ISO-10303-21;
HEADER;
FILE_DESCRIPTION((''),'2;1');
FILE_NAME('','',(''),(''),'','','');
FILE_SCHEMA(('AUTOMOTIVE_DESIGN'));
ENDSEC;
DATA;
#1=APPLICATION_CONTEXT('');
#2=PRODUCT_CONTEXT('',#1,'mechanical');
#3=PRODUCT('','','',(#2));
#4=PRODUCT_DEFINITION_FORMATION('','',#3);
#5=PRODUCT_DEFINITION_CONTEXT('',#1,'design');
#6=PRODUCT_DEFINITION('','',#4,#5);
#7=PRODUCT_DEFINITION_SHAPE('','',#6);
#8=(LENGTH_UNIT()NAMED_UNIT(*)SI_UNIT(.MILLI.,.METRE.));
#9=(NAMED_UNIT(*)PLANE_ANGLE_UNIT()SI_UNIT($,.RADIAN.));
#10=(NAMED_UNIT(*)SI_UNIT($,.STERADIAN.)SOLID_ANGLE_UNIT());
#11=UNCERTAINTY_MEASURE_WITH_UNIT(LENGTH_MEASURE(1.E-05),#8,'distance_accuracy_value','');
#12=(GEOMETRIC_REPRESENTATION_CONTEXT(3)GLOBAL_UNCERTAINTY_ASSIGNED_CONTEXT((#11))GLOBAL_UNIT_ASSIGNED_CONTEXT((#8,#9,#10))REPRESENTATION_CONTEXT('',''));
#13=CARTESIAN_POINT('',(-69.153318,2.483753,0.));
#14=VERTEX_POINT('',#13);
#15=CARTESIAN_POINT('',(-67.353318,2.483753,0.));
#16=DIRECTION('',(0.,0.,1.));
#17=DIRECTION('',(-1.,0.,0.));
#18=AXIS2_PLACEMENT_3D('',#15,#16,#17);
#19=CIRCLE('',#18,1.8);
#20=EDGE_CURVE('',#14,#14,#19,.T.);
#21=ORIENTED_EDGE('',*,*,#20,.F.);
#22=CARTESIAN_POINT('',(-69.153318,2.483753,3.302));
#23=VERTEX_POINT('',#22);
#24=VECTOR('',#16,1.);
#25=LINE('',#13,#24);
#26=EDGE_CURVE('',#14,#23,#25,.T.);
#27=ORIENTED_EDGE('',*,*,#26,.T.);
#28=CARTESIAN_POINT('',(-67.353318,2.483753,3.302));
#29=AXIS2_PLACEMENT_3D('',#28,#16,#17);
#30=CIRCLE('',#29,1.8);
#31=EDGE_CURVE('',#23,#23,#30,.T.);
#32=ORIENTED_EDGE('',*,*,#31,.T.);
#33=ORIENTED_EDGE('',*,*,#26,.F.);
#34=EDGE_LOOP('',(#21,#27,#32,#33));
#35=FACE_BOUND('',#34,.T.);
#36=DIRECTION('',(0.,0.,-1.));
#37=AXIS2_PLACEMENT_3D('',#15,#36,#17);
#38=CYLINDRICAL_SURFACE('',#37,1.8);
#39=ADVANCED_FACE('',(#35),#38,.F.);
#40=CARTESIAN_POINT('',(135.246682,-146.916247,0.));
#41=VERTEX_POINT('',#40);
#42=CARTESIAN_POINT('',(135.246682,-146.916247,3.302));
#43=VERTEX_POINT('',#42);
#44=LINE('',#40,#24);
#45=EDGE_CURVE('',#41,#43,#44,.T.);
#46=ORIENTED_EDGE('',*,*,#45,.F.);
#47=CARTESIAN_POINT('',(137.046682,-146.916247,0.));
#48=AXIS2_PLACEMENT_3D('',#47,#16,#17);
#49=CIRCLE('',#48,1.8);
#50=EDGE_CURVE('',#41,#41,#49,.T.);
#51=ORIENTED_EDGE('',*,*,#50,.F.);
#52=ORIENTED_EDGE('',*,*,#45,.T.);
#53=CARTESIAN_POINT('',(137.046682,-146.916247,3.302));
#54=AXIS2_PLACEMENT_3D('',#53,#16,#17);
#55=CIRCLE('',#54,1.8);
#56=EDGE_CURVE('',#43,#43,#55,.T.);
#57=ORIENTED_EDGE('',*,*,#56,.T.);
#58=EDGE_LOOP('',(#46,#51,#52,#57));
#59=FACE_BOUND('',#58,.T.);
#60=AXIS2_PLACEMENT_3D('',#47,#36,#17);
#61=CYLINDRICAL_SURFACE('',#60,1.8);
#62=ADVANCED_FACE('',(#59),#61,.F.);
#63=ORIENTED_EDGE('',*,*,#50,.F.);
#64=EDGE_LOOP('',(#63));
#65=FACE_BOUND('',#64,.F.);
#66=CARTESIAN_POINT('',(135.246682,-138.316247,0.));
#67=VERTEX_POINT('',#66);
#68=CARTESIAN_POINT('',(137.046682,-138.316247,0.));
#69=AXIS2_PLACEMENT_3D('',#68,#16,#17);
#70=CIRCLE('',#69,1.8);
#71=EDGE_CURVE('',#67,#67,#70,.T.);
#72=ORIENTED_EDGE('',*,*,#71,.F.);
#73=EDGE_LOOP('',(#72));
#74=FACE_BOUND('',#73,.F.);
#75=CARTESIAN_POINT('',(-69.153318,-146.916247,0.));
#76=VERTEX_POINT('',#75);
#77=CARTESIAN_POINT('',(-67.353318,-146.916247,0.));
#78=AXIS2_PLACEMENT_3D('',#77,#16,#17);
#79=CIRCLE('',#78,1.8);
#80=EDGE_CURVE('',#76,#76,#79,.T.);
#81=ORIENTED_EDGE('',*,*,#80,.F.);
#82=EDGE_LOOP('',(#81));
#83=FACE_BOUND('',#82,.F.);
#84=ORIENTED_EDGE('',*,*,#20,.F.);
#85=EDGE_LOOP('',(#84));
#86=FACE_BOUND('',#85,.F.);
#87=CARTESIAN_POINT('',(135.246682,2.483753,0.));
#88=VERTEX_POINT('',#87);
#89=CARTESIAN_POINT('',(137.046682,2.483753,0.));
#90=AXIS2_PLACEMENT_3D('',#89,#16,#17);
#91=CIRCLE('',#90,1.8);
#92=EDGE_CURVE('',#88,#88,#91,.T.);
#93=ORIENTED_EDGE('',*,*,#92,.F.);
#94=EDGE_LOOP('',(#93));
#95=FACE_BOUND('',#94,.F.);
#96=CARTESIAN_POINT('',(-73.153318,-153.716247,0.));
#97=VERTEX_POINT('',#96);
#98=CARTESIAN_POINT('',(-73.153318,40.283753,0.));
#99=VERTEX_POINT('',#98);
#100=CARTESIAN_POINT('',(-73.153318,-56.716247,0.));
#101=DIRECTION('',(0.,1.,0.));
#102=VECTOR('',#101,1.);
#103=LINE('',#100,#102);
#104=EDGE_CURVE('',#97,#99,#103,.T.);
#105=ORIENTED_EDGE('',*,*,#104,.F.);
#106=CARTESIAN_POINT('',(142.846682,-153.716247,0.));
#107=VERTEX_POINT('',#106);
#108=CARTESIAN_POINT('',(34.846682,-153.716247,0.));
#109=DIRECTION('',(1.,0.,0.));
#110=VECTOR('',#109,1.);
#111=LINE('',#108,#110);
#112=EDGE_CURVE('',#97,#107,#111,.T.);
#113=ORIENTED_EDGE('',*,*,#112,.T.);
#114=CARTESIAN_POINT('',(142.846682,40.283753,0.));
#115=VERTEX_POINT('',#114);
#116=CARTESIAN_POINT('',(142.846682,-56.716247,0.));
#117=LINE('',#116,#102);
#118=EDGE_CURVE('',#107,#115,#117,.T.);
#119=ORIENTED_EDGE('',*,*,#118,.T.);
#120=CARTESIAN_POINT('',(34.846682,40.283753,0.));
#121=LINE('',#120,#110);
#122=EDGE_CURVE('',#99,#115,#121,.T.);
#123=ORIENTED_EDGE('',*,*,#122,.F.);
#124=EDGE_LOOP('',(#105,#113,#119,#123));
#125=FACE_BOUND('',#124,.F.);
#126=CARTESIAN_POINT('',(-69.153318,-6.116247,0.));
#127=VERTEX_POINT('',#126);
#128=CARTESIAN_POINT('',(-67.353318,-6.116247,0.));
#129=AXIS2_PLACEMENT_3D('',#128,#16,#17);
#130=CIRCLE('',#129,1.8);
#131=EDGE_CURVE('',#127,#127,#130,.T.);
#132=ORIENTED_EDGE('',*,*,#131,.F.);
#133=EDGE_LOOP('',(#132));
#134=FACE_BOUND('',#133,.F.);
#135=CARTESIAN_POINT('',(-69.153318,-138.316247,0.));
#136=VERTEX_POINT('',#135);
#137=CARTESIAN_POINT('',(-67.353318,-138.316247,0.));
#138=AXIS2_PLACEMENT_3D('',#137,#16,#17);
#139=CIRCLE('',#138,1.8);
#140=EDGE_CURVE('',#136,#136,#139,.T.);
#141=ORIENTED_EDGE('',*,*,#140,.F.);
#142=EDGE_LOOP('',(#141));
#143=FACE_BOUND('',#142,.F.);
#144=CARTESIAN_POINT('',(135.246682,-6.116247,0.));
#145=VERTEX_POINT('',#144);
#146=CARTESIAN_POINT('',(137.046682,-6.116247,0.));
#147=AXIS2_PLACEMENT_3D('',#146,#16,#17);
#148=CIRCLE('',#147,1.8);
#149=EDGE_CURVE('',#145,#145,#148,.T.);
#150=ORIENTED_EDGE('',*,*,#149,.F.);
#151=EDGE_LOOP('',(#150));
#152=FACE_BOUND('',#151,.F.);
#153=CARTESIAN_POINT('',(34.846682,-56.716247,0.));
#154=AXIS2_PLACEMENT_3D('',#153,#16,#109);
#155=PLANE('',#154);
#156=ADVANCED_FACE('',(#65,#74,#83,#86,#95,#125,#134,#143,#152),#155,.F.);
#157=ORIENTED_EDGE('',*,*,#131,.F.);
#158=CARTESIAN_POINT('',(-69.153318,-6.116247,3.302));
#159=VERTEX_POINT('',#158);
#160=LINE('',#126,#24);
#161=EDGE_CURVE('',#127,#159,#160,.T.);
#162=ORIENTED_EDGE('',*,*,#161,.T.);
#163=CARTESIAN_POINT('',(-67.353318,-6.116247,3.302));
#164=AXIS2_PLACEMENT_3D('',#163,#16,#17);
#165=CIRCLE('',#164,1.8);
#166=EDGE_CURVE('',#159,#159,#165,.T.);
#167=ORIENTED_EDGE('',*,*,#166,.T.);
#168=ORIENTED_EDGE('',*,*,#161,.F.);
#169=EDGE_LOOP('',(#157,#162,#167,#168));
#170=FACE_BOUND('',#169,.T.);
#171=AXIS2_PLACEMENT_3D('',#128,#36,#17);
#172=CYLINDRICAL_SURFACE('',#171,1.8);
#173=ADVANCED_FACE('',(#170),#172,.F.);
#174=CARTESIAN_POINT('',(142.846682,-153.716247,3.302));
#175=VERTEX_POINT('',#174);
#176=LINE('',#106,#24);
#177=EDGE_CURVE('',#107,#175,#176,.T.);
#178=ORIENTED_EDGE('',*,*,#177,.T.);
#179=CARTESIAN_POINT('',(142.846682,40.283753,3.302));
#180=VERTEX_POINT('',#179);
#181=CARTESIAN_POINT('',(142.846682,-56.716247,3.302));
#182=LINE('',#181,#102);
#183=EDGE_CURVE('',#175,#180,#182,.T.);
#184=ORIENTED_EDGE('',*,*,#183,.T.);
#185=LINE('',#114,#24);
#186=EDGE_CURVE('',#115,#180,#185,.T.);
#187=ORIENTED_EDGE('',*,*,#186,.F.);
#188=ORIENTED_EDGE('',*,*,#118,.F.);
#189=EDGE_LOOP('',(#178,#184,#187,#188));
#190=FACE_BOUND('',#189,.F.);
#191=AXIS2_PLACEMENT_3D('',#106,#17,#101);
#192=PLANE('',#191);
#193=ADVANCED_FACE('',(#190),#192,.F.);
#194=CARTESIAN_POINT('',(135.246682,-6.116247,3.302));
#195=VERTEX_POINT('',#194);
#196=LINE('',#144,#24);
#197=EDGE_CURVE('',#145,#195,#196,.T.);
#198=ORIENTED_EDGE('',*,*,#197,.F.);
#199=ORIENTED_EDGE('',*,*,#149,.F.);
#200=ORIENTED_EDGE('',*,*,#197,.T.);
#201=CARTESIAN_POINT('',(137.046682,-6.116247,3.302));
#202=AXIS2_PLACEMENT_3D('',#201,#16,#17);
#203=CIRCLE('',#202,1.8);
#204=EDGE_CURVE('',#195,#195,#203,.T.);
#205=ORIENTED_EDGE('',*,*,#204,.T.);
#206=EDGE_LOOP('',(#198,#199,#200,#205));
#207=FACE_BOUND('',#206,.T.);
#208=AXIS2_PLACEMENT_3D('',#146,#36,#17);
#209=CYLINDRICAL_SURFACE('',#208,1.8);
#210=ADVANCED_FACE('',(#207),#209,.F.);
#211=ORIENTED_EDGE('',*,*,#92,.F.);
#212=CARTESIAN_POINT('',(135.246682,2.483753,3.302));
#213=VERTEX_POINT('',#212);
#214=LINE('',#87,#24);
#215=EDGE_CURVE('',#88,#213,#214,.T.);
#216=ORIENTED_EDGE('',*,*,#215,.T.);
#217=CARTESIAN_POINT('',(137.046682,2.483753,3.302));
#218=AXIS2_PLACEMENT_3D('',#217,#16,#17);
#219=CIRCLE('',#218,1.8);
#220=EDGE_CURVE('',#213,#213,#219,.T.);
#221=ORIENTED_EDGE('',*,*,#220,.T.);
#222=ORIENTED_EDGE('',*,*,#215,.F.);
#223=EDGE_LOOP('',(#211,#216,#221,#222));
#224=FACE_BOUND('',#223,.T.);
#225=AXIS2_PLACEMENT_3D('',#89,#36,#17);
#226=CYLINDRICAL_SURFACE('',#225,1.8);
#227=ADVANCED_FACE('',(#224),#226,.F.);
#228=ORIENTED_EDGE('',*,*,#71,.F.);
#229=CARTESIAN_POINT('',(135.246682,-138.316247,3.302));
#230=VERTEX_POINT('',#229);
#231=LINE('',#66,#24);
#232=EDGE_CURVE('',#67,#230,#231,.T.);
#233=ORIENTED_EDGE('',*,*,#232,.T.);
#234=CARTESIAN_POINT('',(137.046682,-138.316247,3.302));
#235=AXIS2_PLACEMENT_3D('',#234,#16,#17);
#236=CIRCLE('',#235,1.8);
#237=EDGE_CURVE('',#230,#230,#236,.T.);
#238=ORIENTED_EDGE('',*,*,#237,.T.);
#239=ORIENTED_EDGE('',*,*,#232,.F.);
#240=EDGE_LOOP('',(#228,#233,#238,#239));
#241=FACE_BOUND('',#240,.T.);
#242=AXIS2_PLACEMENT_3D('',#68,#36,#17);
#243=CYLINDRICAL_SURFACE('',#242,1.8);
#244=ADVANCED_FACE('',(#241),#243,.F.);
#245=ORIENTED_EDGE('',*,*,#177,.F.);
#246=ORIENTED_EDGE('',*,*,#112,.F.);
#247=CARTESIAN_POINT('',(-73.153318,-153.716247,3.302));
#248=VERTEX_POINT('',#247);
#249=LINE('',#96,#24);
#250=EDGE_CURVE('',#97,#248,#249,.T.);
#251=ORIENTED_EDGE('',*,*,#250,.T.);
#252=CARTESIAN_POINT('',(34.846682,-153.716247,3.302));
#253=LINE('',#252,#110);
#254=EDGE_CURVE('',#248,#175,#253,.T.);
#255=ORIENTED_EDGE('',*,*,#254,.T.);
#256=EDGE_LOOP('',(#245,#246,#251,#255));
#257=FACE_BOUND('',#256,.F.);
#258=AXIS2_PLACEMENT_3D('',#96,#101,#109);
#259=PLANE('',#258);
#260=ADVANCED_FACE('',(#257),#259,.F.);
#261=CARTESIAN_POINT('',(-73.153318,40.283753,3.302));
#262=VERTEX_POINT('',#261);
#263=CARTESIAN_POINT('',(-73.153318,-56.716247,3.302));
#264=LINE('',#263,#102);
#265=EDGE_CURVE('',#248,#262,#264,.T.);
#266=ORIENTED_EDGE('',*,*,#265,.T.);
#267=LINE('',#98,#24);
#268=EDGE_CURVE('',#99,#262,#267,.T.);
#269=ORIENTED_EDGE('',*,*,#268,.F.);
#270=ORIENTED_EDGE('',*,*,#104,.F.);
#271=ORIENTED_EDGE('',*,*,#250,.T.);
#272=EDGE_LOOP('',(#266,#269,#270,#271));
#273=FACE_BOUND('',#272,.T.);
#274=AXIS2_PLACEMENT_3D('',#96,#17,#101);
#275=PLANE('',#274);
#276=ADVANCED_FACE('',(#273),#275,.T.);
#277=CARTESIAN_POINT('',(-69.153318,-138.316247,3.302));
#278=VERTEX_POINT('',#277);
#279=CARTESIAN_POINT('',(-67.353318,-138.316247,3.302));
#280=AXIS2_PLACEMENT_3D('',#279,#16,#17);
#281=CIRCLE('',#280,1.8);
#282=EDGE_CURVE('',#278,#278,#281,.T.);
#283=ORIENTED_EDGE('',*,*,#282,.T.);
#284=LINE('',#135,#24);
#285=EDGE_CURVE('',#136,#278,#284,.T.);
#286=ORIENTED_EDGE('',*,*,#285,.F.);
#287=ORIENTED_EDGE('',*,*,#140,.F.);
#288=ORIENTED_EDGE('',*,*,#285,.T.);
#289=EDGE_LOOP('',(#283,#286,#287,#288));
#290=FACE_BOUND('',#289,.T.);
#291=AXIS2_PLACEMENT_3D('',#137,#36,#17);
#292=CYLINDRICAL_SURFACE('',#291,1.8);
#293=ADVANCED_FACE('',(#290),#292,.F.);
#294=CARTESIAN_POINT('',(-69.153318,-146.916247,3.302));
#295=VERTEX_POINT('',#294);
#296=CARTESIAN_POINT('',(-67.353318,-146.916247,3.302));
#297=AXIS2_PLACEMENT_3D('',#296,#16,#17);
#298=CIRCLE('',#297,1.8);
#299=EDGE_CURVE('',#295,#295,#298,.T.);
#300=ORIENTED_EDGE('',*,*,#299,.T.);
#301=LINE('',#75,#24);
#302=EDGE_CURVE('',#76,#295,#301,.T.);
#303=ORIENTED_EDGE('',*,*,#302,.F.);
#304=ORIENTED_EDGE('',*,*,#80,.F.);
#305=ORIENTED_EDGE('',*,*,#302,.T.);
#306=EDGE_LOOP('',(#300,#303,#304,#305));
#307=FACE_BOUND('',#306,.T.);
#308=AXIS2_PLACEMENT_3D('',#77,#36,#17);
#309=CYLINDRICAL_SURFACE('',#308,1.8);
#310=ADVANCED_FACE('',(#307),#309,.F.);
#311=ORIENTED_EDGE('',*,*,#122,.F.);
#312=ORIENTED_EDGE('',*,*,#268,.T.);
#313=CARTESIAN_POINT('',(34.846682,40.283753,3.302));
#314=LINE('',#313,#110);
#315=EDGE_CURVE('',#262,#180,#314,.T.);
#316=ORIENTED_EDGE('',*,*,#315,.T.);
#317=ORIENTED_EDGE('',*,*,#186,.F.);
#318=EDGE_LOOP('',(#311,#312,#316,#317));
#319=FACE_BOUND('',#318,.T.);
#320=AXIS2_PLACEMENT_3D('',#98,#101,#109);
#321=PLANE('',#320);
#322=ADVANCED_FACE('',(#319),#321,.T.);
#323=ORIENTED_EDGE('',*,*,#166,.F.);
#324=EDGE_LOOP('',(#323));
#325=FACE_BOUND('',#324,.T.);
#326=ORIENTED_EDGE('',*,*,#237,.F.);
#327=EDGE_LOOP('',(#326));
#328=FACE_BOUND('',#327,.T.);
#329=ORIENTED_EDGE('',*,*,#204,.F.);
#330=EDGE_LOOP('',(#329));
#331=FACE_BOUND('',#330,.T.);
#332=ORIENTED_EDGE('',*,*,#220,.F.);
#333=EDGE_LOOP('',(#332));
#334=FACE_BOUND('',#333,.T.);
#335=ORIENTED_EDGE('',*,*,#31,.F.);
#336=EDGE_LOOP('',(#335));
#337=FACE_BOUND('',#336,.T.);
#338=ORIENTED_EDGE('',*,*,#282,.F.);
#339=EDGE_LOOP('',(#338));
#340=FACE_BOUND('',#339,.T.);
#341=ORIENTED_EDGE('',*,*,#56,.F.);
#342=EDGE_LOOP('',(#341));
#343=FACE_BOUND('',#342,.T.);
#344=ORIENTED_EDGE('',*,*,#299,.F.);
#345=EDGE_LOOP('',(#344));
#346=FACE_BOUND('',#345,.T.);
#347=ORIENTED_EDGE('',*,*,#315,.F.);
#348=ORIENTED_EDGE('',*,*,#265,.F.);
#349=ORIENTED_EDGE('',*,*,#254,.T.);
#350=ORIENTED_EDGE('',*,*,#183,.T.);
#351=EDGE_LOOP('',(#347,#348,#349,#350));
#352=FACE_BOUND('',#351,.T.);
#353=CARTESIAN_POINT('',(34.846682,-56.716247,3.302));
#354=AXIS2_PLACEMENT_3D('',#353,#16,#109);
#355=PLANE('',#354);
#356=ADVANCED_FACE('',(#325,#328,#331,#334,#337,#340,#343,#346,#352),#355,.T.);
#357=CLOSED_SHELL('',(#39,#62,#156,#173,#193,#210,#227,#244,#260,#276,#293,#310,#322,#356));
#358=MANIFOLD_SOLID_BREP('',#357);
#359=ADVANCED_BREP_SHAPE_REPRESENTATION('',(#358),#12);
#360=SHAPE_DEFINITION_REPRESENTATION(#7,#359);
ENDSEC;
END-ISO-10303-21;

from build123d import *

# Parameters (mm, degrees)
SKETCH1_W           = 216
SKETCH1_H           = 194
SKETCH1_R           = 1.8
BOSS_EXTRUDE1_DEPTH = 3.302


with BuildPart() as part:
    # Sketch1 → Boss-Extrude1 (new body)
    with BuildSketch(Plane.XY):
        with Locations((34.846681922, -56.71624714)):
            Rectangle(SKETCH1_W, SKETCH1_H)
        with Locations(Location((-67.353318078, -146.91624714, 0), (0, 0, 180))):
            Circle(SKETCH1_R, mode=Mode.SUBTRACT)
        with Locations(Location((-67.353318078, -138.31624714, 0), (0, 0, 180))):
            Circle(SKETCH1_R, mode=Mode.SUBTRACT)
        with Locations(Location((-67.353318078, -6.11624714, 0), (0, 0, 180))):
            Circle(SKETCH1_R, mode=Mode.SUBTRACT)
        with Locations(Location((137.046681922, 2.48375286, 0), (0, 0, 180))):
            Circle(SKETCH1_R, mode=Mode.SUBTRACT)
        with Locations(Location((137.046681922, -146.91624714, 0), (0, 0, 180))):
            Circle(SKETCH1_R, mode=Mode.SUBTRACT)
        with Locations(Location((137.046681922, -138.31624714, 0), (0, 0, 180))):
            Circle(SKETCH1_R, mode=Mode.SUBTRACT)
        with Locations(Location((137.046681922, -6.11624714, 0), (0, 0, 180))):
            Circle(SKETCH1_R, mode=Mode.SUBTRACT)
        with Locations(Location((-67.353318078, 2.48375286, 0), (0, 0, 180))):
            Circle(SKETCH1_R, mode=Mode.SUBTRACT)
    extrude(amount=BOSS_EXTRUDE1_DEPTH)


solid = part.part
